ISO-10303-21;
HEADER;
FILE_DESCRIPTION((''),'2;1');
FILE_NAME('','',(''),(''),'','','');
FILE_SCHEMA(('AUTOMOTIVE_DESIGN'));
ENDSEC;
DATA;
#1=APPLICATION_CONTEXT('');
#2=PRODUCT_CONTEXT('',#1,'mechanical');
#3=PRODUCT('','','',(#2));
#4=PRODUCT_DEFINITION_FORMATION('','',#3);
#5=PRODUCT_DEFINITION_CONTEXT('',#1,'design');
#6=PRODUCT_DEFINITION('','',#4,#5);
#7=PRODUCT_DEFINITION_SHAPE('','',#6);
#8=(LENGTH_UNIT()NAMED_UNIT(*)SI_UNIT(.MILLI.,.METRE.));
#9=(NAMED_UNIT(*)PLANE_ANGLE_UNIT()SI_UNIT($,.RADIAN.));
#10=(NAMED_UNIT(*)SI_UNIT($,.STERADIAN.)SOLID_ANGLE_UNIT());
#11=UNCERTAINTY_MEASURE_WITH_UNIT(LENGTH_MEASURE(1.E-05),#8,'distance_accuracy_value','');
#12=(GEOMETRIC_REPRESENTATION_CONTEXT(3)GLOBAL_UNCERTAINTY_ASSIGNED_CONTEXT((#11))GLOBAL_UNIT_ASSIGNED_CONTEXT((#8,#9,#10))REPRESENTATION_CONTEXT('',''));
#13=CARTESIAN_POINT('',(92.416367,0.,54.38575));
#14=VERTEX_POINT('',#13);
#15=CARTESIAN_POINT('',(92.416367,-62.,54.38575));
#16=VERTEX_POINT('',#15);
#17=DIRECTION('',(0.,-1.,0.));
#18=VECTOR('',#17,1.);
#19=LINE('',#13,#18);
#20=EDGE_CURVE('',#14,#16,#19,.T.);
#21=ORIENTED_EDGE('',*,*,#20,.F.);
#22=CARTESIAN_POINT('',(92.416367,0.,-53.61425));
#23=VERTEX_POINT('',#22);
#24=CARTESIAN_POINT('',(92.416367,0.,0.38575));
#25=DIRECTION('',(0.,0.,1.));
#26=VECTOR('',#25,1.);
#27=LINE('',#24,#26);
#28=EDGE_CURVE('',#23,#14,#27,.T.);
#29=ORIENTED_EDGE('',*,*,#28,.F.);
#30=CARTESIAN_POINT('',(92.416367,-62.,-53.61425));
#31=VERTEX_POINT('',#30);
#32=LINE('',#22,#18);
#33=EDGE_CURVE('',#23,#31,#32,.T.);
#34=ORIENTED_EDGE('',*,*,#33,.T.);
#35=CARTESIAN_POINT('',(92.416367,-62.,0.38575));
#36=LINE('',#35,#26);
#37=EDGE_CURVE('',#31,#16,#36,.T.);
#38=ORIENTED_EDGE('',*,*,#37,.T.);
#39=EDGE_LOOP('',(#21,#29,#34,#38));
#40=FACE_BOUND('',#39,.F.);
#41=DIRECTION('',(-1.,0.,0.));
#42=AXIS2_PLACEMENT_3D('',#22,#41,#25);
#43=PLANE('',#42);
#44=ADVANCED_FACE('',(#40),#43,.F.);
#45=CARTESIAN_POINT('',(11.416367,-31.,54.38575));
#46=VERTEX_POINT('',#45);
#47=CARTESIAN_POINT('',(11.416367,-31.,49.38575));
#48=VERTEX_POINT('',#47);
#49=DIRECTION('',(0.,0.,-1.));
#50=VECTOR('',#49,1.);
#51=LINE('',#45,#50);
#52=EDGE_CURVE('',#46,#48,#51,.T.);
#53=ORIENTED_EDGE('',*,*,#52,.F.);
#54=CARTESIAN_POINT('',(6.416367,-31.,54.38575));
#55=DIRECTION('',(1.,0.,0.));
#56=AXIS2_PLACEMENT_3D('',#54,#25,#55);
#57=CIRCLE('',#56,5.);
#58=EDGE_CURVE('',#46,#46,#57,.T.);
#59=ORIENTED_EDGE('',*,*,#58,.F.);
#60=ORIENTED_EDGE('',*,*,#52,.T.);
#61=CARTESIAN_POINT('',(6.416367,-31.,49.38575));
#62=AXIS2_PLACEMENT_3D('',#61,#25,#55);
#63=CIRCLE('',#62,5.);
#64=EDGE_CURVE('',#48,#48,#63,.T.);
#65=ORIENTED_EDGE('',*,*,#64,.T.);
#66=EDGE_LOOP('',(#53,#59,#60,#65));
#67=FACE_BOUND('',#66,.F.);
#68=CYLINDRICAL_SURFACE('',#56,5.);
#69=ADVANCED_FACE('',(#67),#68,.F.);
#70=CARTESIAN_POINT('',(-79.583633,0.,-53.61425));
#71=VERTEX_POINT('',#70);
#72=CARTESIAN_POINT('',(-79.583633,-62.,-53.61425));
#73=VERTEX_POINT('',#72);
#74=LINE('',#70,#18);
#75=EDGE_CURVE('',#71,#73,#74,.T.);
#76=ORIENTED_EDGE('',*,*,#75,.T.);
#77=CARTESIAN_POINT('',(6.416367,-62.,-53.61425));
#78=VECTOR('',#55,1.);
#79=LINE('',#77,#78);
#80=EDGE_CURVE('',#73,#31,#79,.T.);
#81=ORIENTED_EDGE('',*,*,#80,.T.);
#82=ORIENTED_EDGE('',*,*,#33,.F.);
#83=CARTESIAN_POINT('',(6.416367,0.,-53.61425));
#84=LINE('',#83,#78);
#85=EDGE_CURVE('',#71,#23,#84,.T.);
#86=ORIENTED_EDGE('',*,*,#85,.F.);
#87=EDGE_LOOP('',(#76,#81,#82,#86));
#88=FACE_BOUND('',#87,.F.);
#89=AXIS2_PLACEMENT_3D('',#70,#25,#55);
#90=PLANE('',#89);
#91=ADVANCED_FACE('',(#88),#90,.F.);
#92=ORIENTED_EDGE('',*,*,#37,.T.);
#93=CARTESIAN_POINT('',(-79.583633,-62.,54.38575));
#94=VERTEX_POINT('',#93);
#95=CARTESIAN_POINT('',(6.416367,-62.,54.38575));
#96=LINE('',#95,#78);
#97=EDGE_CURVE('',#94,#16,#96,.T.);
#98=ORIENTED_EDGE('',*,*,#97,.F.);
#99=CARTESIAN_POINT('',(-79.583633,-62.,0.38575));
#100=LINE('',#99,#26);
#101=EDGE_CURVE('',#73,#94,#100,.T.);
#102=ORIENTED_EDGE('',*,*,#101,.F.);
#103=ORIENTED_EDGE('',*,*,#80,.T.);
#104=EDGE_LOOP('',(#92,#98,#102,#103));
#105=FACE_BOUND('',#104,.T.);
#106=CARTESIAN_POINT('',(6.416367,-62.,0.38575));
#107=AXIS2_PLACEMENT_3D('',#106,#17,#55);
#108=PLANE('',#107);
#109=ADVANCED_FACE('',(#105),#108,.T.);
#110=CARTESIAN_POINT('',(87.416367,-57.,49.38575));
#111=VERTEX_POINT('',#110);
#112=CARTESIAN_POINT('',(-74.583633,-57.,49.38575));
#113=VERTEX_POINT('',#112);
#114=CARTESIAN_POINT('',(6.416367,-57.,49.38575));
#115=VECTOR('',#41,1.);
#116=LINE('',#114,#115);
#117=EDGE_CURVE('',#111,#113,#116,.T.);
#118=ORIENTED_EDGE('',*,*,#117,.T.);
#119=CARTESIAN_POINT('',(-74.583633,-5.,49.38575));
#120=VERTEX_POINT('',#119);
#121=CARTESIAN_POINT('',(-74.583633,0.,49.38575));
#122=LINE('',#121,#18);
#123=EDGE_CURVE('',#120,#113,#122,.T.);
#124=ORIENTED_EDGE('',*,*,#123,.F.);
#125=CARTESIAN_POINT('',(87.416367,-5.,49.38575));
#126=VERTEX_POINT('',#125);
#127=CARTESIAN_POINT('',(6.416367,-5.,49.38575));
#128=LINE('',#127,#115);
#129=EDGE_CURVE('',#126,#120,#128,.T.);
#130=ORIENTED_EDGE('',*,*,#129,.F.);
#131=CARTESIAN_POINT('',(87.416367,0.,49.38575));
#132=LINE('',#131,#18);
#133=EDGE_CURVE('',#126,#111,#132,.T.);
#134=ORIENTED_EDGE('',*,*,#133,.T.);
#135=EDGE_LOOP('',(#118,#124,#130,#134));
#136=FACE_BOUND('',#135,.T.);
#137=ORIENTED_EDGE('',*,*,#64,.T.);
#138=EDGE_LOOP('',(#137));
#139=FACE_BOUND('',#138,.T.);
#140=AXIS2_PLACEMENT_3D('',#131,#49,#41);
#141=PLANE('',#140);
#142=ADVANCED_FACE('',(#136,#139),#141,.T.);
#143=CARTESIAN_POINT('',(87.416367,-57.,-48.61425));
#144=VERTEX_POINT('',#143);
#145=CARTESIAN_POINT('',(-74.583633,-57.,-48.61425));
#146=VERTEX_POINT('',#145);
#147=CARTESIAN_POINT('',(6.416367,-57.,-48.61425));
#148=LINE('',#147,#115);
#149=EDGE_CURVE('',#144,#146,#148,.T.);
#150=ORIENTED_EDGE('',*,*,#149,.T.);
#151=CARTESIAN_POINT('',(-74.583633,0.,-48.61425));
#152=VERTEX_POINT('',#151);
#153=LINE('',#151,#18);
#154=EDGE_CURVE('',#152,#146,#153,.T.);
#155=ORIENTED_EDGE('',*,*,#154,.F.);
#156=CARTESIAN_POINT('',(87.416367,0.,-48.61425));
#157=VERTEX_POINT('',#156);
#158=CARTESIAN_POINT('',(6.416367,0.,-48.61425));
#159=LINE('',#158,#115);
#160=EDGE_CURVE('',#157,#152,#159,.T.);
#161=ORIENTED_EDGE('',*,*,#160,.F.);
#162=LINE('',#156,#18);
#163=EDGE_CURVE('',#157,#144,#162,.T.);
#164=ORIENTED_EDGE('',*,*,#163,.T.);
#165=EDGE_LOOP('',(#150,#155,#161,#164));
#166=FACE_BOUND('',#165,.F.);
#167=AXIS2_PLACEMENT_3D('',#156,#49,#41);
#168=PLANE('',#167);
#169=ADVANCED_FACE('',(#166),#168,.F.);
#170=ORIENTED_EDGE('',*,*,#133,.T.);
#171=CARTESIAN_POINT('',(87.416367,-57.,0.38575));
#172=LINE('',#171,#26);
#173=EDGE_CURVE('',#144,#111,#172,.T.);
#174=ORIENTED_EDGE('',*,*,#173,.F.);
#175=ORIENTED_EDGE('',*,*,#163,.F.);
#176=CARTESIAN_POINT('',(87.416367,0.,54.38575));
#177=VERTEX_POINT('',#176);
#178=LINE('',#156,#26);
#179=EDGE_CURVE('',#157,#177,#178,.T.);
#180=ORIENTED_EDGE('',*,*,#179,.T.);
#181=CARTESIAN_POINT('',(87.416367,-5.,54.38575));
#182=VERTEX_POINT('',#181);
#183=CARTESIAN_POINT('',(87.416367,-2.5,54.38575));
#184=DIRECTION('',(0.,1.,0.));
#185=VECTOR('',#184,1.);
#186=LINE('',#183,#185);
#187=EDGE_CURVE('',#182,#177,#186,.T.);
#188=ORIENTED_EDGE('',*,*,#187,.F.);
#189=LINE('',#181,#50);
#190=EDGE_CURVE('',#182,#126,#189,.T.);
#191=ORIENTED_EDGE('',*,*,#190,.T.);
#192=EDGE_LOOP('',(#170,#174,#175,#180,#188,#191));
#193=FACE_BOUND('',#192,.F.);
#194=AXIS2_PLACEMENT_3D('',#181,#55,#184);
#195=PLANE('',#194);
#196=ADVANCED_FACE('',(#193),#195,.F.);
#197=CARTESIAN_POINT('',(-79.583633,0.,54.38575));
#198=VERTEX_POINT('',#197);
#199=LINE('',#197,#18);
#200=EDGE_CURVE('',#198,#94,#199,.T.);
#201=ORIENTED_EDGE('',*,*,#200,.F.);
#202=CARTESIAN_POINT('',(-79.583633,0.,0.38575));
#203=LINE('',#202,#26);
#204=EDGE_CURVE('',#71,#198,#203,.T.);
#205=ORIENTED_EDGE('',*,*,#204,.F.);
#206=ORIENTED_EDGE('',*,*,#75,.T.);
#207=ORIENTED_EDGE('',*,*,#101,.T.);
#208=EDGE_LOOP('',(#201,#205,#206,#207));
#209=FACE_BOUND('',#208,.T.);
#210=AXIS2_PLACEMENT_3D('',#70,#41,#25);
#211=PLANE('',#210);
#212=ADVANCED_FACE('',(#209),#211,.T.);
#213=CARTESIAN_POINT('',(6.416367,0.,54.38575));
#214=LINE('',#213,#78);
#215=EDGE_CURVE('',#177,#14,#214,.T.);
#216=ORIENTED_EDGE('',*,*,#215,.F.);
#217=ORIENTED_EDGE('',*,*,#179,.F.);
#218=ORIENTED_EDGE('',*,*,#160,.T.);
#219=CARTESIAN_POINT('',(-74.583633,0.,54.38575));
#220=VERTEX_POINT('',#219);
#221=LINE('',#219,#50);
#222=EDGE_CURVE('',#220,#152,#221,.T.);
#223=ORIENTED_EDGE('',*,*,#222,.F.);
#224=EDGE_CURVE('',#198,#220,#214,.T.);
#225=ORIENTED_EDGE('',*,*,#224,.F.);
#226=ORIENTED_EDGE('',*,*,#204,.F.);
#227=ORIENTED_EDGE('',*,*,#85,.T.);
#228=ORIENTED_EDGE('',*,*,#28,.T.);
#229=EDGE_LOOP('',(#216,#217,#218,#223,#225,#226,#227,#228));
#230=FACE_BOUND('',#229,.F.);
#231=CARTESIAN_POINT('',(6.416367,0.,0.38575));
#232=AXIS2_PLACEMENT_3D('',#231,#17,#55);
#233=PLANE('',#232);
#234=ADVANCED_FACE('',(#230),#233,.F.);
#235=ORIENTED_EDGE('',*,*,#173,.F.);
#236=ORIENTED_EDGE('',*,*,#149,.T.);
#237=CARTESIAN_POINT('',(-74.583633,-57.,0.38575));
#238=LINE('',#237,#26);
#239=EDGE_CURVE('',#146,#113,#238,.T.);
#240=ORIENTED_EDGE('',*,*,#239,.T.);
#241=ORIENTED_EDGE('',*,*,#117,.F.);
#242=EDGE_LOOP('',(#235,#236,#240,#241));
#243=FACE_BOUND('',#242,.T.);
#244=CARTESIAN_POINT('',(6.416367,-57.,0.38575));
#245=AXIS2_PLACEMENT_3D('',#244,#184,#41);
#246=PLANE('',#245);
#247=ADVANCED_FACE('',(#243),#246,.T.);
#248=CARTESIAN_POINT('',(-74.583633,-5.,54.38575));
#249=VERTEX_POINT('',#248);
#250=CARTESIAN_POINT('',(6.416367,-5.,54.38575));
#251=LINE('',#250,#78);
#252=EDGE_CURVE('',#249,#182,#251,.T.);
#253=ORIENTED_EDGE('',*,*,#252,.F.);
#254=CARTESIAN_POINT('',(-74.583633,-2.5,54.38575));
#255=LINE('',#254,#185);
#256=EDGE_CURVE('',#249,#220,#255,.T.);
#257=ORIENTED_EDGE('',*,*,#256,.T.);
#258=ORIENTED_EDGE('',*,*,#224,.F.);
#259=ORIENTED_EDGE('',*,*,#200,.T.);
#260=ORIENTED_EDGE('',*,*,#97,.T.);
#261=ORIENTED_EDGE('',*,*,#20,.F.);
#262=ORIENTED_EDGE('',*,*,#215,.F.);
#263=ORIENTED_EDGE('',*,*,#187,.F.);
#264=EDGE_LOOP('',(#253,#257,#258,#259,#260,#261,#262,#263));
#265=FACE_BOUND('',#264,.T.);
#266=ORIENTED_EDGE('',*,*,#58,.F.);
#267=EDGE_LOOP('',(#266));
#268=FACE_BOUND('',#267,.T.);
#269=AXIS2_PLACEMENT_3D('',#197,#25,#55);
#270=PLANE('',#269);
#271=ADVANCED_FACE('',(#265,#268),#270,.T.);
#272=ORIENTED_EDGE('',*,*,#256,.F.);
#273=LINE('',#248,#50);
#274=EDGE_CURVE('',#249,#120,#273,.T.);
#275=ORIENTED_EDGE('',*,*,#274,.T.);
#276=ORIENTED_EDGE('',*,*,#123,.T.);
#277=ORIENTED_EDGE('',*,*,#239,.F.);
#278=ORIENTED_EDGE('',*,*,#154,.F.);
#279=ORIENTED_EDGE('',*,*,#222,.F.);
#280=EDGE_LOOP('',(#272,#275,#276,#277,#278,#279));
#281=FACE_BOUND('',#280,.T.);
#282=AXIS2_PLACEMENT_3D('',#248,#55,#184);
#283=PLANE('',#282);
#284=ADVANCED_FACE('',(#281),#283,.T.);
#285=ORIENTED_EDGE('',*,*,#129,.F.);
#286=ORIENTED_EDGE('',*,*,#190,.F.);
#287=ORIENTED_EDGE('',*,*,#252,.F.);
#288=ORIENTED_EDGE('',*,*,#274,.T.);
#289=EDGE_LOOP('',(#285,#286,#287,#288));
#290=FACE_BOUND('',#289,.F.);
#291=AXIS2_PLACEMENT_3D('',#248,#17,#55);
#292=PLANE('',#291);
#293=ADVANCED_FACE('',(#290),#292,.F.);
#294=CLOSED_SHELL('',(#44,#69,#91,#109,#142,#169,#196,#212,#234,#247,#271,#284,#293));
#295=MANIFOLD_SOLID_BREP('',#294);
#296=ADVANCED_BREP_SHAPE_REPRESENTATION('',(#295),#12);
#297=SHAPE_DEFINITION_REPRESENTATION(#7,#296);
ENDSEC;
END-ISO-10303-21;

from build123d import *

# Parameters (mm, degrees)
F0_W     = 172
F0_H     = 108
F1_DEPTH = 62
F3_W     = 162
F3_H     = 98
F4_DEPTH = 57
F2_R     = 5
F5_DEPTH = 25
F6_W     = 162
F6_H     = 5
F7_DEPTH = 25


with BuildPart() as f1:
    # F0 (on Front) → F1 (new body)
    with BuildSketch(Plane.XZ):
        with Locations((6.416367, 0.38575)):
            Rectangle(F0_W, F0_H)
    extrude(amount=F1_DEPTH)

    # F3 (on face) → F4 (cut)
    with BuildSketch(Plane(origin=(0, 0, 0), x_dir=(-1, 0, 0), z_dir=(0, 1, 0))):
        with Locations((-6.416367, 0.38575)):
            Rectangle(F3_W, F3_H)
    extrude(amount=-F4_DEPTH, mode=Mode.SUBTRACT)

    # F2 (on face) → F5 (cut)
    with BuildSketch(Plane.XY.offset(54.38575)):
        with Locations((6.416367, -31)):
            Circle(F2_R)
    extrude(amount=-F5_DEPTH, mode=Mode.SUBTRACT)

    # F6 (on face) → F7 (cut)
    with BuildSketch(Plane.XY.offset(54.38575)):
        with Locations((6.416367, -2.5)):
            Rectangle(F6_W, F6_H)
    extrude(amount=-F7_DEPTH, mode=Mode.SUBTRACT)


solid = f1.part
